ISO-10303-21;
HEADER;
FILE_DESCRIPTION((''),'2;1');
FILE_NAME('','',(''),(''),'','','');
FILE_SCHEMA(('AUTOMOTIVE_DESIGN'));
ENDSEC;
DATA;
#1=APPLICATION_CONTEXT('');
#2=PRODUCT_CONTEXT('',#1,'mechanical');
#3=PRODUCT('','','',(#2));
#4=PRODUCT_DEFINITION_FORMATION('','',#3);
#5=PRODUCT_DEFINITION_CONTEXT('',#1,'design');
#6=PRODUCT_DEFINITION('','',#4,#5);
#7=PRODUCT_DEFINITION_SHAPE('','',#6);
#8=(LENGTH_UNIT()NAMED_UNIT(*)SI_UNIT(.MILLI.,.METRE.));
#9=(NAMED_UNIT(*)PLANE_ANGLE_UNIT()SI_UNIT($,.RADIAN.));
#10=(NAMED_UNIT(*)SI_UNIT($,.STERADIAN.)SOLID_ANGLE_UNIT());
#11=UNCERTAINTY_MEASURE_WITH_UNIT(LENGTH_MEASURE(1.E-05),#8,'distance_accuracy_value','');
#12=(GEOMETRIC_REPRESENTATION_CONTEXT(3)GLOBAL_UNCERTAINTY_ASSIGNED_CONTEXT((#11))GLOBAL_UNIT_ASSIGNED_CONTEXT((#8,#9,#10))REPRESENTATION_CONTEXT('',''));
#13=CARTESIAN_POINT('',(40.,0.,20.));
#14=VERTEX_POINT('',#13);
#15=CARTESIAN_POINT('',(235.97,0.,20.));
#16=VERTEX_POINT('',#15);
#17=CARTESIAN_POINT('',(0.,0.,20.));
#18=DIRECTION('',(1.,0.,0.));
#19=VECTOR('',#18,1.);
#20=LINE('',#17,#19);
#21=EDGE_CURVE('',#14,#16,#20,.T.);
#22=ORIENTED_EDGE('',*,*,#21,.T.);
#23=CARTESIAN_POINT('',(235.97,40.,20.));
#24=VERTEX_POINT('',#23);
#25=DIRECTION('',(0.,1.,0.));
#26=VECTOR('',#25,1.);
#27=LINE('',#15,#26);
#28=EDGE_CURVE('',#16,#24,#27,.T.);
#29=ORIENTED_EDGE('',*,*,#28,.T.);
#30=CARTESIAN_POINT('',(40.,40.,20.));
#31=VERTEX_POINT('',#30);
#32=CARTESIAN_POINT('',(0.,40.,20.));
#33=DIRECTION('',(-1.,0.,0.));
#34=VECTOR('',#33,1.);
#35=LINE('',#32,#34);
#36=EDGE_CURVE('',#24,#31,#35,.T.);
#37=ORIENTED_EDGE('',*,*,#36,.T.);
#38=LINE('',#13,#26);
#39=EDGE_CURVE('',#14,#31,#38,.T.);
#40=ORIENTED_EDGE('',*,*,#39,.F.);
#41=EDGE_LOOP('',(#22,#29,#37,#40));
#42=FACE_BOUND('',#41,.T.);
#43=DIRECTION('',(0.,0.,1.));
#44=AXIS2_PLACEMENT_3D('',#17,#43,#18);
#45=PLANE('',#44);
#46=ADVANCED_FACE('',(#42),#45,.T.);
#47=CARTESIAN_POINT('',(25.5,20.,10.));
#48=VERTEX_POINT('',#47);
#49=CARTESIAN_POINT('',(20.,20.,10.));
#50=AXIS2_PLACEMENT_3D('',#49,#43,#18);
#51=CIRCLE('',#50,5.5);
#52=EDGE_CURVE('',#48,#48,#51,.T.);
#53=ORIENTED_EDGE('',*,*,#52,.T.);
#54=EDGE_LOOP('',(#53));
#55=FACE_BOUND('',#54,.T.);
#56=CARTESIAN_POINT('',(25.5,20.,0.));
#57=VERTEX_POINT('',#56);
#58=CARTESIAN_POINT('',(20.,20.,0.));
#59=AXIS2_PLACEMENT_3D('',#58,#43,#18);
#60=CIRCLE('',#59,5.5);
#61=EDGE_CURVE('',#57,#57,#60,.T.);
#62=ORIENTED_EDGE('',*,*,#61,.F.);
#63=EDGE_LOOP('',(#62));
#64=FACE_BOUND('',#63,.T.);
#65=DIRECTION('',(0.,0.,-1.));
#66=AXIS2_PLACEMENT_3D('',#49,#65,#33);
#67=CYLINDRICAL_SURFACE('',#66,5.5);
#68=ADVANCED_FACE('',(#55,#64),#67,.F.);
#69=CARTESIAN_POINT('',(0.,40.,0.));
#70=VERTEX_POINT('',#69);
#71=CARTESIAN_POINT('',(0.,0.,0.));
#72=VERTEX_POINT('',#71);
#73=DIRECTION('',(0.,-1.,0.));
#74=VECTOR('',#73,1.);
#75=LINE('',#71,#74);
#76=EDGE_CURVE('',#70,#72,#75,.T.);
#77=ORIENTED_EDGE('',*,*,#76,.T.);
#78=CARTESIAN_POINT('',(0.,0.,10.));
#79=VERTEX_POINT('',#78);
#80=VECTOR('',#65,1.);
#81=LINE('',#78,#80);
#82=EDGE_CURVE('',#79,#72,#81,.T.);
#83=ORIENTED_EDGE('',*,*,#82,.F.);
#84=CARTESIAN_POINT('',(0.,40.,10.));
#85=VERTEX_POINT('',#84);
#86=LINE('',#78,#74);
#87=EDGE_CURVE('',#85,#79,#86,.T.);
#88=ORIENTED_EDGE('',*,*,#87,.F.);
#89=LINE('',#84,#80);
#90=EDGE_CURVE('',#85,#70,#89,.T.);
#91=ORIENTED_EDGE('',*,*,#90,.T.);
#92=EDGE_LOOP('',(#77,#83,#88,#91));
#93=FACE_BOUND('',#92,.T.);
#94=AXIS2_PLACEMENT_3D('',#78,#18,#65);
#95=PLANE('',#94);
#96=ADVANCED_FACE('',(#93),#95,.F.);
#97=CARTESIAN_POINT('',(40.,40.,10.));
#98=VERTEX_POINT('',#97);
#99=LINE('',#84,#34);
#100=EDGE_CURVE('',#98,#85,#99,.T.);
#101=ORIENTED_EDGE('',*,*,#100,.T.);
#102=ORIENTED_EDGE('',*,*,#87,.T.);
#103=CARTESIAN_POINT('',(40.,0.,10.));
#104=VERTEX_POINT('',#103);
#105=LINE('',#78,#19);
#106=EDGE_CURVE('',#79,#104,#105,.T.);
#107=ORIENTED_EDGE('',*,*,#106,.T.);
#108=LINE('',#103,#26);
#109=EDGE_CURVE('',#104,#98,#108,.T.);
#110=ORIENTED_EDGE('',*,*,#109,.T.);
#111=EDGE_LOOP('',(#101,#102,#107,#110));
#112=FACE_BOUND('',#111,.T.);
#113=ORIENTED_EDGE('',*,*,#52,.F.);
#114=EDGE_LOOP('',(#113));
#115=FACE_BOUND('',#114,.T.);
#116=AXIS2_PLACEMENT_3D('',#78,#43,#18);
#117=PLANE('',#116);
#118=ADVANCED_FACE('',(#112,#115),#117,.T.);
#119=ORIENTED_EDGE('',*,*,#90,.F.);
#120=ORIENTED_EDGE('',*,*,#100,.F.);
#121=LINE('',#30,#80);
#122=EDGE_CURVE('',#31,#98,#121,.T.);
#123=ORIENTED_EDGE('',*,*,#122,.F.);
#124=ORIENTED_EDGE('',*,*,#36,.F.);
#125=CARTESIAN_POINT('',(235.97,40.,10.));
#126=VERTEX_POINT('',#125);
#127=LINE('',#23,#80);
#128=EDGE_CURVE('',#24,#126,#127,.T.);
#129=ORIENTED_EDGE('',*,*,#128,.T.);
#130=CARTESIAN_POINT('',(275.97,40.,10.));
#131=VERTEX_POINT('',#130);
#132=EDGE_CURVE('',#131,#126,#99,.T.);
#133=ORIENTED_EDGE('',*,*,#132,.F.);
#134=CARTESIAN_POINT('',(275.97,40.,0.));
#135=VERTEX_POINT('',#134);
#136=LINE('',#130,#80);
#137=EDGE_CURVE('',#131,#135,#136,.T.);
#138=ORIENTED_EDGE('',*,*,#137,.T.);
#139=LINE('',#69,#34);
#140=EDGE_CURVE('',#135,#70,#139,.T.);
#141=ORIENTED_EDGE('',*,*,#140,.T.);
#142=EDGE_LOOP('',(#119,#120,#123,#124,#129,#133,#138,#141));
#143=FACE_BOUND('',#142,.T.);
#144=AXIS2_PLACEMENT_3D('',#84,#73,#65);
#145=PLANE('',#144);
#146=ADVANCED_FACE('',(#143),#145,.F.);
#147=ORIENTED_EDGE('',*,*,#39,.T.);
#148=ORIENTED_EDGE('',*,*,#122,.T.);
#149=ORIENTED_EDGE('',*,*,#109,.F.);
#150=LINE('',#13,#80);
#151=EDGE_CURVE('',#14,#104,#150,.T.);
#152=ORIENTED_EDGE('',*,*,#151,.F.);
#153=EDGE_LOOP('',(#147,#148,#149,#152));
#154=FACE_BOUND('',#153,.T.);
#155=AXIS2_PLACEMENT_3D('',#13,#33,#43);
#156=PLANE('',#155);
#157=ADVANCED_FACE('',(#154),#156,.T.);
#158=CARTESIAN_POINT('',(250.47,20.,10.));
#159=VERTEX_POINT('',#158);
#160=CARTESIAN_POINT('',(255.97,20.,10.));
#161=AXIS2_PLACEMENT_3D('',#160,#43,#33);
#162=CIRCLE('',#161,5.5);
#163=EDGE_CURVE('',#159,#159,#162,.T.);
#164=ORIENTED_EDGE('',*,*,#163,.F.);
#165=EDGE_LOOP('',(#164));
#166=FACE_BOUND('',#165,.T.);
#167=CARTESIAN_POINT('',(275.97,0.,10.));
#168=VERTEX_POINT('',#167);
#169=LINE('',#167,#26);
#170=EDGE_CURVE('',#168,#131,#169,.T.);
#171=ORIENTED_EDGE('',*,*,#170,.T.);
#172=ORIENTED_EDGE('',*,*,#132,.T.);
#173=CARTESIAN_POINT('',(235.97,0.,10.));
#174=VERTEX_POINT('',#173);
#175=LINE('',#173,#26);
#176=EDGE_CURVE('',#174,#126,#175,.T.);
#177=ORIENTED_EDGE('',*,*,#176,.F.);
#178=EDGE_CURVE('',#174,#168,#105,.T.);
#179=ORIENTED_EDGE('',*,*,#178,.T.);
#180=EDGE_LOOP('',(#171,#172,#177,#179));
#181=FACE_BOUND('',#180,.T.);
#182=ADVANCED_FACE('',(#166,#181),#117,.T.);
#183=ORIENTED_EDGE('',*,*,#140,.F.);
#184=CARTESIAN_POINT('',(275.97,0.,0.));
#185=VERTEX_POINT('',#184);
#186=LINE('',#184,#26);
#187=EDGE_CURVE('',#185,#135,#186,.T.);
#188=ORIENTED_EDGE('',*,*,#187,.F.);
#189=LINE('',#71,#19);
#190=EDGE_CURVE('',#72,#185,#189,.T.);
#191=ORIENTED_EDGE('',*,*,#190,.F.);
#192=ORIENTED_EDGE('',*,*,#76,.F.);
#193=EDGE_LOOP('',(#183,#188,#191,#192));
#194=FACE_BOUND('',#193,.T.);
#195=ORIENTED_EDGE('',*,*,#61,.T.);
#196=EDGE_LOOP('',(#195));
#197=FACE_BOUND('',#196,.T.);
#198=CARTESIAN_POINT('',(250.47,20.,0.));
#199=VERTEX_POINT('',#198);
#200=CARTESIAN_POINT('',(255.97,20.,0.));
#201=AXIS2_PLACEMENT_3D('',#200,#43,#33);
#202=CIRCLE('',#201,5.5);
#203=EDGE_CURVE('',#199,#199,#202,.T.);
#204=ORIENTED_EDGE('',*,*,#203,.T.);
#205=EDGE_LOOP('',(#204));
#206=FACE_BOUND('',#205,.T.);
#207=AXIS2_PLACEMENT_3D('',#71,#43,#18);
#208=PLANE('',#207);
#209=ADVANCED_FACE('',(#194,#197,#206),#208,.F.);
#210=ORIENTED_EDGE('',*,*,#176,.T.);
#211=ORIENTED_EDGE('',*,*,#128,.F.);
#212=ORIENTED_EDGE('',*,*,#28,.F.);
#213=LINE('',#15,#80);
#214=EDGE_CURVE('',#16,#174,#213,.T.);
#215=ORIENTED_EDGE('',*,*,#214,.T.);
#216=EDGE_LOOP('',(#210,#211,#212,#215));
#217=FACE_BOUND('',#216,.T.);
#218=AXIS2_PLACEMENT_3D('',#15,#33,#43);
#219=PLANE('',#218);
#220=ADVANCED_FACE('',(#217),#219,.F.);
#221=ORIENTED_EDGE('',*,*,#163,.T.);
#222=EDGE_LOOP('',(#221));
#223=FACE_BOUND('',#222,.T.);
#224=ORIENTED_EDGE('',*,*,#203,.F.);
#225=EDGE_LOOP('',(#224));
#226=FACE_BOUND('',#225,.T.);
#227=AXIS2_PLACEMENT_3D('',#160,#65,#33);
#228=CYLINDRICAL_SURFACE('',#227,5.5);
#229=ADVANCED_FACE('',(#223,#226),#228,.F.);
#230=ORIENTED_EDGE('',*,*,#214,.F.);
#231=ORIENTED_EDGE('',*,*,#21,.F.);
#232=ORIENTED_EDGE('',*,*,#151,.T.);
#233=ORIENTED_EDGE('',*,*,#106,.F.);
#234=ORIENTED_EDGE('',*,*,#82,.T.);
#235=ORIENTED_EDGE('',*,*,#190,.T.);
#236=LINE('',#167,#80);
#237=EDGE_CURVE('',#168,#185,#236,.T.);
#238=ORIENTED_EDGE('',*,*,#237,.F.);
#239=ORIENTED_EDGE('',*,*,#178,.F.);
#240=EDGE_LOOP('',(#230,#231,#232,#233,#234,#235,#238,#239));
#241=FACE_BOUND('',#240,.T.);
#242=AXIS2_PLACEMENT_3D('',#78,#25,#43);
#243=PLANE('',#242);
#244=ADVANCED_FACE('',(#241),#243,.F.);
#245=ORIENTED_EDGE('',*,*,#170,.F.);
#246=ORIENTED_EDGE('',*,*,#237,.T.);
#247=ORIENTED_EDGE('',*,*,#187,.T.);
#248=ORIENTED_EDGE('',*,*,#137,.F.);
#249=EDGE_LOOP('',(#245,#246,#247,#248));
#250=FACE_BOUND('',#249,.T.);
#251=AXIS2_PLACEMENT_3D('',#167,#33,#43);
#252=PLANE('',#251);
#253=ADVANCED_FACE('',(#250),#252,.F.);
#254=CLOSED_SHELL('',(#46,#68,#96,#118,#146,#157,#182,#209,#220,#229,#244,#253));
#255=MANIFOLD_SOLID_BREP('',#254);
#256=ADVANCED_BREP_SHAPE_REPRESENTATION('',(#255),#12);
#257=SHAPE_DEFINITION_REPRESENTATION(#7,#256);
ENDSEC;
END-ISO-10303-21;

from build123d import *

# Parameters (mm, degrees)
ESQUISSE1_W        = 275.97
ESQUISSE1_H        = 40
ESQUISSE1_R        = 5.5
BOSS_EXTRU_1_DEPTH = 10
ESQUISSE2_W        = 195.97
ESQUISSE2_H        = 40
BOSS_EXTRU_2_DEPTH = 10


with BuildPart() as part:
    # Esquisse1 → Boss.-Extru.1 (new body)
    with BuildSketch(Plane.XY):
        with Locations((137.985, 20)):
            Rectangle(ESQUISSE1_W, ESQUISSE1_H)
        with Locations((20, 20)):
            Circle(ESQUISSE1_R, mode=Mode.SUBTRACT)
        with Locations(Location((255.97, 20, 0), (0, 0, 180))):
            Circle(ESQUISSE1_R, mode=Mode.SUBTRACT)
    extrude(amount=BOSS_EXTRU_1_DEPTH)

    # Esquisse2 → Boss.-Extru.2 (add)
    with BuildSketch(Plane.XY.offset(10)):
        with Locations((137.985, 20)):
            Rectangle(ESQUISSE2_W, ESQUISSE2_H)
    extrude(amount=BOSS_EXTRU_2_DEPTH)


solid = part.part
